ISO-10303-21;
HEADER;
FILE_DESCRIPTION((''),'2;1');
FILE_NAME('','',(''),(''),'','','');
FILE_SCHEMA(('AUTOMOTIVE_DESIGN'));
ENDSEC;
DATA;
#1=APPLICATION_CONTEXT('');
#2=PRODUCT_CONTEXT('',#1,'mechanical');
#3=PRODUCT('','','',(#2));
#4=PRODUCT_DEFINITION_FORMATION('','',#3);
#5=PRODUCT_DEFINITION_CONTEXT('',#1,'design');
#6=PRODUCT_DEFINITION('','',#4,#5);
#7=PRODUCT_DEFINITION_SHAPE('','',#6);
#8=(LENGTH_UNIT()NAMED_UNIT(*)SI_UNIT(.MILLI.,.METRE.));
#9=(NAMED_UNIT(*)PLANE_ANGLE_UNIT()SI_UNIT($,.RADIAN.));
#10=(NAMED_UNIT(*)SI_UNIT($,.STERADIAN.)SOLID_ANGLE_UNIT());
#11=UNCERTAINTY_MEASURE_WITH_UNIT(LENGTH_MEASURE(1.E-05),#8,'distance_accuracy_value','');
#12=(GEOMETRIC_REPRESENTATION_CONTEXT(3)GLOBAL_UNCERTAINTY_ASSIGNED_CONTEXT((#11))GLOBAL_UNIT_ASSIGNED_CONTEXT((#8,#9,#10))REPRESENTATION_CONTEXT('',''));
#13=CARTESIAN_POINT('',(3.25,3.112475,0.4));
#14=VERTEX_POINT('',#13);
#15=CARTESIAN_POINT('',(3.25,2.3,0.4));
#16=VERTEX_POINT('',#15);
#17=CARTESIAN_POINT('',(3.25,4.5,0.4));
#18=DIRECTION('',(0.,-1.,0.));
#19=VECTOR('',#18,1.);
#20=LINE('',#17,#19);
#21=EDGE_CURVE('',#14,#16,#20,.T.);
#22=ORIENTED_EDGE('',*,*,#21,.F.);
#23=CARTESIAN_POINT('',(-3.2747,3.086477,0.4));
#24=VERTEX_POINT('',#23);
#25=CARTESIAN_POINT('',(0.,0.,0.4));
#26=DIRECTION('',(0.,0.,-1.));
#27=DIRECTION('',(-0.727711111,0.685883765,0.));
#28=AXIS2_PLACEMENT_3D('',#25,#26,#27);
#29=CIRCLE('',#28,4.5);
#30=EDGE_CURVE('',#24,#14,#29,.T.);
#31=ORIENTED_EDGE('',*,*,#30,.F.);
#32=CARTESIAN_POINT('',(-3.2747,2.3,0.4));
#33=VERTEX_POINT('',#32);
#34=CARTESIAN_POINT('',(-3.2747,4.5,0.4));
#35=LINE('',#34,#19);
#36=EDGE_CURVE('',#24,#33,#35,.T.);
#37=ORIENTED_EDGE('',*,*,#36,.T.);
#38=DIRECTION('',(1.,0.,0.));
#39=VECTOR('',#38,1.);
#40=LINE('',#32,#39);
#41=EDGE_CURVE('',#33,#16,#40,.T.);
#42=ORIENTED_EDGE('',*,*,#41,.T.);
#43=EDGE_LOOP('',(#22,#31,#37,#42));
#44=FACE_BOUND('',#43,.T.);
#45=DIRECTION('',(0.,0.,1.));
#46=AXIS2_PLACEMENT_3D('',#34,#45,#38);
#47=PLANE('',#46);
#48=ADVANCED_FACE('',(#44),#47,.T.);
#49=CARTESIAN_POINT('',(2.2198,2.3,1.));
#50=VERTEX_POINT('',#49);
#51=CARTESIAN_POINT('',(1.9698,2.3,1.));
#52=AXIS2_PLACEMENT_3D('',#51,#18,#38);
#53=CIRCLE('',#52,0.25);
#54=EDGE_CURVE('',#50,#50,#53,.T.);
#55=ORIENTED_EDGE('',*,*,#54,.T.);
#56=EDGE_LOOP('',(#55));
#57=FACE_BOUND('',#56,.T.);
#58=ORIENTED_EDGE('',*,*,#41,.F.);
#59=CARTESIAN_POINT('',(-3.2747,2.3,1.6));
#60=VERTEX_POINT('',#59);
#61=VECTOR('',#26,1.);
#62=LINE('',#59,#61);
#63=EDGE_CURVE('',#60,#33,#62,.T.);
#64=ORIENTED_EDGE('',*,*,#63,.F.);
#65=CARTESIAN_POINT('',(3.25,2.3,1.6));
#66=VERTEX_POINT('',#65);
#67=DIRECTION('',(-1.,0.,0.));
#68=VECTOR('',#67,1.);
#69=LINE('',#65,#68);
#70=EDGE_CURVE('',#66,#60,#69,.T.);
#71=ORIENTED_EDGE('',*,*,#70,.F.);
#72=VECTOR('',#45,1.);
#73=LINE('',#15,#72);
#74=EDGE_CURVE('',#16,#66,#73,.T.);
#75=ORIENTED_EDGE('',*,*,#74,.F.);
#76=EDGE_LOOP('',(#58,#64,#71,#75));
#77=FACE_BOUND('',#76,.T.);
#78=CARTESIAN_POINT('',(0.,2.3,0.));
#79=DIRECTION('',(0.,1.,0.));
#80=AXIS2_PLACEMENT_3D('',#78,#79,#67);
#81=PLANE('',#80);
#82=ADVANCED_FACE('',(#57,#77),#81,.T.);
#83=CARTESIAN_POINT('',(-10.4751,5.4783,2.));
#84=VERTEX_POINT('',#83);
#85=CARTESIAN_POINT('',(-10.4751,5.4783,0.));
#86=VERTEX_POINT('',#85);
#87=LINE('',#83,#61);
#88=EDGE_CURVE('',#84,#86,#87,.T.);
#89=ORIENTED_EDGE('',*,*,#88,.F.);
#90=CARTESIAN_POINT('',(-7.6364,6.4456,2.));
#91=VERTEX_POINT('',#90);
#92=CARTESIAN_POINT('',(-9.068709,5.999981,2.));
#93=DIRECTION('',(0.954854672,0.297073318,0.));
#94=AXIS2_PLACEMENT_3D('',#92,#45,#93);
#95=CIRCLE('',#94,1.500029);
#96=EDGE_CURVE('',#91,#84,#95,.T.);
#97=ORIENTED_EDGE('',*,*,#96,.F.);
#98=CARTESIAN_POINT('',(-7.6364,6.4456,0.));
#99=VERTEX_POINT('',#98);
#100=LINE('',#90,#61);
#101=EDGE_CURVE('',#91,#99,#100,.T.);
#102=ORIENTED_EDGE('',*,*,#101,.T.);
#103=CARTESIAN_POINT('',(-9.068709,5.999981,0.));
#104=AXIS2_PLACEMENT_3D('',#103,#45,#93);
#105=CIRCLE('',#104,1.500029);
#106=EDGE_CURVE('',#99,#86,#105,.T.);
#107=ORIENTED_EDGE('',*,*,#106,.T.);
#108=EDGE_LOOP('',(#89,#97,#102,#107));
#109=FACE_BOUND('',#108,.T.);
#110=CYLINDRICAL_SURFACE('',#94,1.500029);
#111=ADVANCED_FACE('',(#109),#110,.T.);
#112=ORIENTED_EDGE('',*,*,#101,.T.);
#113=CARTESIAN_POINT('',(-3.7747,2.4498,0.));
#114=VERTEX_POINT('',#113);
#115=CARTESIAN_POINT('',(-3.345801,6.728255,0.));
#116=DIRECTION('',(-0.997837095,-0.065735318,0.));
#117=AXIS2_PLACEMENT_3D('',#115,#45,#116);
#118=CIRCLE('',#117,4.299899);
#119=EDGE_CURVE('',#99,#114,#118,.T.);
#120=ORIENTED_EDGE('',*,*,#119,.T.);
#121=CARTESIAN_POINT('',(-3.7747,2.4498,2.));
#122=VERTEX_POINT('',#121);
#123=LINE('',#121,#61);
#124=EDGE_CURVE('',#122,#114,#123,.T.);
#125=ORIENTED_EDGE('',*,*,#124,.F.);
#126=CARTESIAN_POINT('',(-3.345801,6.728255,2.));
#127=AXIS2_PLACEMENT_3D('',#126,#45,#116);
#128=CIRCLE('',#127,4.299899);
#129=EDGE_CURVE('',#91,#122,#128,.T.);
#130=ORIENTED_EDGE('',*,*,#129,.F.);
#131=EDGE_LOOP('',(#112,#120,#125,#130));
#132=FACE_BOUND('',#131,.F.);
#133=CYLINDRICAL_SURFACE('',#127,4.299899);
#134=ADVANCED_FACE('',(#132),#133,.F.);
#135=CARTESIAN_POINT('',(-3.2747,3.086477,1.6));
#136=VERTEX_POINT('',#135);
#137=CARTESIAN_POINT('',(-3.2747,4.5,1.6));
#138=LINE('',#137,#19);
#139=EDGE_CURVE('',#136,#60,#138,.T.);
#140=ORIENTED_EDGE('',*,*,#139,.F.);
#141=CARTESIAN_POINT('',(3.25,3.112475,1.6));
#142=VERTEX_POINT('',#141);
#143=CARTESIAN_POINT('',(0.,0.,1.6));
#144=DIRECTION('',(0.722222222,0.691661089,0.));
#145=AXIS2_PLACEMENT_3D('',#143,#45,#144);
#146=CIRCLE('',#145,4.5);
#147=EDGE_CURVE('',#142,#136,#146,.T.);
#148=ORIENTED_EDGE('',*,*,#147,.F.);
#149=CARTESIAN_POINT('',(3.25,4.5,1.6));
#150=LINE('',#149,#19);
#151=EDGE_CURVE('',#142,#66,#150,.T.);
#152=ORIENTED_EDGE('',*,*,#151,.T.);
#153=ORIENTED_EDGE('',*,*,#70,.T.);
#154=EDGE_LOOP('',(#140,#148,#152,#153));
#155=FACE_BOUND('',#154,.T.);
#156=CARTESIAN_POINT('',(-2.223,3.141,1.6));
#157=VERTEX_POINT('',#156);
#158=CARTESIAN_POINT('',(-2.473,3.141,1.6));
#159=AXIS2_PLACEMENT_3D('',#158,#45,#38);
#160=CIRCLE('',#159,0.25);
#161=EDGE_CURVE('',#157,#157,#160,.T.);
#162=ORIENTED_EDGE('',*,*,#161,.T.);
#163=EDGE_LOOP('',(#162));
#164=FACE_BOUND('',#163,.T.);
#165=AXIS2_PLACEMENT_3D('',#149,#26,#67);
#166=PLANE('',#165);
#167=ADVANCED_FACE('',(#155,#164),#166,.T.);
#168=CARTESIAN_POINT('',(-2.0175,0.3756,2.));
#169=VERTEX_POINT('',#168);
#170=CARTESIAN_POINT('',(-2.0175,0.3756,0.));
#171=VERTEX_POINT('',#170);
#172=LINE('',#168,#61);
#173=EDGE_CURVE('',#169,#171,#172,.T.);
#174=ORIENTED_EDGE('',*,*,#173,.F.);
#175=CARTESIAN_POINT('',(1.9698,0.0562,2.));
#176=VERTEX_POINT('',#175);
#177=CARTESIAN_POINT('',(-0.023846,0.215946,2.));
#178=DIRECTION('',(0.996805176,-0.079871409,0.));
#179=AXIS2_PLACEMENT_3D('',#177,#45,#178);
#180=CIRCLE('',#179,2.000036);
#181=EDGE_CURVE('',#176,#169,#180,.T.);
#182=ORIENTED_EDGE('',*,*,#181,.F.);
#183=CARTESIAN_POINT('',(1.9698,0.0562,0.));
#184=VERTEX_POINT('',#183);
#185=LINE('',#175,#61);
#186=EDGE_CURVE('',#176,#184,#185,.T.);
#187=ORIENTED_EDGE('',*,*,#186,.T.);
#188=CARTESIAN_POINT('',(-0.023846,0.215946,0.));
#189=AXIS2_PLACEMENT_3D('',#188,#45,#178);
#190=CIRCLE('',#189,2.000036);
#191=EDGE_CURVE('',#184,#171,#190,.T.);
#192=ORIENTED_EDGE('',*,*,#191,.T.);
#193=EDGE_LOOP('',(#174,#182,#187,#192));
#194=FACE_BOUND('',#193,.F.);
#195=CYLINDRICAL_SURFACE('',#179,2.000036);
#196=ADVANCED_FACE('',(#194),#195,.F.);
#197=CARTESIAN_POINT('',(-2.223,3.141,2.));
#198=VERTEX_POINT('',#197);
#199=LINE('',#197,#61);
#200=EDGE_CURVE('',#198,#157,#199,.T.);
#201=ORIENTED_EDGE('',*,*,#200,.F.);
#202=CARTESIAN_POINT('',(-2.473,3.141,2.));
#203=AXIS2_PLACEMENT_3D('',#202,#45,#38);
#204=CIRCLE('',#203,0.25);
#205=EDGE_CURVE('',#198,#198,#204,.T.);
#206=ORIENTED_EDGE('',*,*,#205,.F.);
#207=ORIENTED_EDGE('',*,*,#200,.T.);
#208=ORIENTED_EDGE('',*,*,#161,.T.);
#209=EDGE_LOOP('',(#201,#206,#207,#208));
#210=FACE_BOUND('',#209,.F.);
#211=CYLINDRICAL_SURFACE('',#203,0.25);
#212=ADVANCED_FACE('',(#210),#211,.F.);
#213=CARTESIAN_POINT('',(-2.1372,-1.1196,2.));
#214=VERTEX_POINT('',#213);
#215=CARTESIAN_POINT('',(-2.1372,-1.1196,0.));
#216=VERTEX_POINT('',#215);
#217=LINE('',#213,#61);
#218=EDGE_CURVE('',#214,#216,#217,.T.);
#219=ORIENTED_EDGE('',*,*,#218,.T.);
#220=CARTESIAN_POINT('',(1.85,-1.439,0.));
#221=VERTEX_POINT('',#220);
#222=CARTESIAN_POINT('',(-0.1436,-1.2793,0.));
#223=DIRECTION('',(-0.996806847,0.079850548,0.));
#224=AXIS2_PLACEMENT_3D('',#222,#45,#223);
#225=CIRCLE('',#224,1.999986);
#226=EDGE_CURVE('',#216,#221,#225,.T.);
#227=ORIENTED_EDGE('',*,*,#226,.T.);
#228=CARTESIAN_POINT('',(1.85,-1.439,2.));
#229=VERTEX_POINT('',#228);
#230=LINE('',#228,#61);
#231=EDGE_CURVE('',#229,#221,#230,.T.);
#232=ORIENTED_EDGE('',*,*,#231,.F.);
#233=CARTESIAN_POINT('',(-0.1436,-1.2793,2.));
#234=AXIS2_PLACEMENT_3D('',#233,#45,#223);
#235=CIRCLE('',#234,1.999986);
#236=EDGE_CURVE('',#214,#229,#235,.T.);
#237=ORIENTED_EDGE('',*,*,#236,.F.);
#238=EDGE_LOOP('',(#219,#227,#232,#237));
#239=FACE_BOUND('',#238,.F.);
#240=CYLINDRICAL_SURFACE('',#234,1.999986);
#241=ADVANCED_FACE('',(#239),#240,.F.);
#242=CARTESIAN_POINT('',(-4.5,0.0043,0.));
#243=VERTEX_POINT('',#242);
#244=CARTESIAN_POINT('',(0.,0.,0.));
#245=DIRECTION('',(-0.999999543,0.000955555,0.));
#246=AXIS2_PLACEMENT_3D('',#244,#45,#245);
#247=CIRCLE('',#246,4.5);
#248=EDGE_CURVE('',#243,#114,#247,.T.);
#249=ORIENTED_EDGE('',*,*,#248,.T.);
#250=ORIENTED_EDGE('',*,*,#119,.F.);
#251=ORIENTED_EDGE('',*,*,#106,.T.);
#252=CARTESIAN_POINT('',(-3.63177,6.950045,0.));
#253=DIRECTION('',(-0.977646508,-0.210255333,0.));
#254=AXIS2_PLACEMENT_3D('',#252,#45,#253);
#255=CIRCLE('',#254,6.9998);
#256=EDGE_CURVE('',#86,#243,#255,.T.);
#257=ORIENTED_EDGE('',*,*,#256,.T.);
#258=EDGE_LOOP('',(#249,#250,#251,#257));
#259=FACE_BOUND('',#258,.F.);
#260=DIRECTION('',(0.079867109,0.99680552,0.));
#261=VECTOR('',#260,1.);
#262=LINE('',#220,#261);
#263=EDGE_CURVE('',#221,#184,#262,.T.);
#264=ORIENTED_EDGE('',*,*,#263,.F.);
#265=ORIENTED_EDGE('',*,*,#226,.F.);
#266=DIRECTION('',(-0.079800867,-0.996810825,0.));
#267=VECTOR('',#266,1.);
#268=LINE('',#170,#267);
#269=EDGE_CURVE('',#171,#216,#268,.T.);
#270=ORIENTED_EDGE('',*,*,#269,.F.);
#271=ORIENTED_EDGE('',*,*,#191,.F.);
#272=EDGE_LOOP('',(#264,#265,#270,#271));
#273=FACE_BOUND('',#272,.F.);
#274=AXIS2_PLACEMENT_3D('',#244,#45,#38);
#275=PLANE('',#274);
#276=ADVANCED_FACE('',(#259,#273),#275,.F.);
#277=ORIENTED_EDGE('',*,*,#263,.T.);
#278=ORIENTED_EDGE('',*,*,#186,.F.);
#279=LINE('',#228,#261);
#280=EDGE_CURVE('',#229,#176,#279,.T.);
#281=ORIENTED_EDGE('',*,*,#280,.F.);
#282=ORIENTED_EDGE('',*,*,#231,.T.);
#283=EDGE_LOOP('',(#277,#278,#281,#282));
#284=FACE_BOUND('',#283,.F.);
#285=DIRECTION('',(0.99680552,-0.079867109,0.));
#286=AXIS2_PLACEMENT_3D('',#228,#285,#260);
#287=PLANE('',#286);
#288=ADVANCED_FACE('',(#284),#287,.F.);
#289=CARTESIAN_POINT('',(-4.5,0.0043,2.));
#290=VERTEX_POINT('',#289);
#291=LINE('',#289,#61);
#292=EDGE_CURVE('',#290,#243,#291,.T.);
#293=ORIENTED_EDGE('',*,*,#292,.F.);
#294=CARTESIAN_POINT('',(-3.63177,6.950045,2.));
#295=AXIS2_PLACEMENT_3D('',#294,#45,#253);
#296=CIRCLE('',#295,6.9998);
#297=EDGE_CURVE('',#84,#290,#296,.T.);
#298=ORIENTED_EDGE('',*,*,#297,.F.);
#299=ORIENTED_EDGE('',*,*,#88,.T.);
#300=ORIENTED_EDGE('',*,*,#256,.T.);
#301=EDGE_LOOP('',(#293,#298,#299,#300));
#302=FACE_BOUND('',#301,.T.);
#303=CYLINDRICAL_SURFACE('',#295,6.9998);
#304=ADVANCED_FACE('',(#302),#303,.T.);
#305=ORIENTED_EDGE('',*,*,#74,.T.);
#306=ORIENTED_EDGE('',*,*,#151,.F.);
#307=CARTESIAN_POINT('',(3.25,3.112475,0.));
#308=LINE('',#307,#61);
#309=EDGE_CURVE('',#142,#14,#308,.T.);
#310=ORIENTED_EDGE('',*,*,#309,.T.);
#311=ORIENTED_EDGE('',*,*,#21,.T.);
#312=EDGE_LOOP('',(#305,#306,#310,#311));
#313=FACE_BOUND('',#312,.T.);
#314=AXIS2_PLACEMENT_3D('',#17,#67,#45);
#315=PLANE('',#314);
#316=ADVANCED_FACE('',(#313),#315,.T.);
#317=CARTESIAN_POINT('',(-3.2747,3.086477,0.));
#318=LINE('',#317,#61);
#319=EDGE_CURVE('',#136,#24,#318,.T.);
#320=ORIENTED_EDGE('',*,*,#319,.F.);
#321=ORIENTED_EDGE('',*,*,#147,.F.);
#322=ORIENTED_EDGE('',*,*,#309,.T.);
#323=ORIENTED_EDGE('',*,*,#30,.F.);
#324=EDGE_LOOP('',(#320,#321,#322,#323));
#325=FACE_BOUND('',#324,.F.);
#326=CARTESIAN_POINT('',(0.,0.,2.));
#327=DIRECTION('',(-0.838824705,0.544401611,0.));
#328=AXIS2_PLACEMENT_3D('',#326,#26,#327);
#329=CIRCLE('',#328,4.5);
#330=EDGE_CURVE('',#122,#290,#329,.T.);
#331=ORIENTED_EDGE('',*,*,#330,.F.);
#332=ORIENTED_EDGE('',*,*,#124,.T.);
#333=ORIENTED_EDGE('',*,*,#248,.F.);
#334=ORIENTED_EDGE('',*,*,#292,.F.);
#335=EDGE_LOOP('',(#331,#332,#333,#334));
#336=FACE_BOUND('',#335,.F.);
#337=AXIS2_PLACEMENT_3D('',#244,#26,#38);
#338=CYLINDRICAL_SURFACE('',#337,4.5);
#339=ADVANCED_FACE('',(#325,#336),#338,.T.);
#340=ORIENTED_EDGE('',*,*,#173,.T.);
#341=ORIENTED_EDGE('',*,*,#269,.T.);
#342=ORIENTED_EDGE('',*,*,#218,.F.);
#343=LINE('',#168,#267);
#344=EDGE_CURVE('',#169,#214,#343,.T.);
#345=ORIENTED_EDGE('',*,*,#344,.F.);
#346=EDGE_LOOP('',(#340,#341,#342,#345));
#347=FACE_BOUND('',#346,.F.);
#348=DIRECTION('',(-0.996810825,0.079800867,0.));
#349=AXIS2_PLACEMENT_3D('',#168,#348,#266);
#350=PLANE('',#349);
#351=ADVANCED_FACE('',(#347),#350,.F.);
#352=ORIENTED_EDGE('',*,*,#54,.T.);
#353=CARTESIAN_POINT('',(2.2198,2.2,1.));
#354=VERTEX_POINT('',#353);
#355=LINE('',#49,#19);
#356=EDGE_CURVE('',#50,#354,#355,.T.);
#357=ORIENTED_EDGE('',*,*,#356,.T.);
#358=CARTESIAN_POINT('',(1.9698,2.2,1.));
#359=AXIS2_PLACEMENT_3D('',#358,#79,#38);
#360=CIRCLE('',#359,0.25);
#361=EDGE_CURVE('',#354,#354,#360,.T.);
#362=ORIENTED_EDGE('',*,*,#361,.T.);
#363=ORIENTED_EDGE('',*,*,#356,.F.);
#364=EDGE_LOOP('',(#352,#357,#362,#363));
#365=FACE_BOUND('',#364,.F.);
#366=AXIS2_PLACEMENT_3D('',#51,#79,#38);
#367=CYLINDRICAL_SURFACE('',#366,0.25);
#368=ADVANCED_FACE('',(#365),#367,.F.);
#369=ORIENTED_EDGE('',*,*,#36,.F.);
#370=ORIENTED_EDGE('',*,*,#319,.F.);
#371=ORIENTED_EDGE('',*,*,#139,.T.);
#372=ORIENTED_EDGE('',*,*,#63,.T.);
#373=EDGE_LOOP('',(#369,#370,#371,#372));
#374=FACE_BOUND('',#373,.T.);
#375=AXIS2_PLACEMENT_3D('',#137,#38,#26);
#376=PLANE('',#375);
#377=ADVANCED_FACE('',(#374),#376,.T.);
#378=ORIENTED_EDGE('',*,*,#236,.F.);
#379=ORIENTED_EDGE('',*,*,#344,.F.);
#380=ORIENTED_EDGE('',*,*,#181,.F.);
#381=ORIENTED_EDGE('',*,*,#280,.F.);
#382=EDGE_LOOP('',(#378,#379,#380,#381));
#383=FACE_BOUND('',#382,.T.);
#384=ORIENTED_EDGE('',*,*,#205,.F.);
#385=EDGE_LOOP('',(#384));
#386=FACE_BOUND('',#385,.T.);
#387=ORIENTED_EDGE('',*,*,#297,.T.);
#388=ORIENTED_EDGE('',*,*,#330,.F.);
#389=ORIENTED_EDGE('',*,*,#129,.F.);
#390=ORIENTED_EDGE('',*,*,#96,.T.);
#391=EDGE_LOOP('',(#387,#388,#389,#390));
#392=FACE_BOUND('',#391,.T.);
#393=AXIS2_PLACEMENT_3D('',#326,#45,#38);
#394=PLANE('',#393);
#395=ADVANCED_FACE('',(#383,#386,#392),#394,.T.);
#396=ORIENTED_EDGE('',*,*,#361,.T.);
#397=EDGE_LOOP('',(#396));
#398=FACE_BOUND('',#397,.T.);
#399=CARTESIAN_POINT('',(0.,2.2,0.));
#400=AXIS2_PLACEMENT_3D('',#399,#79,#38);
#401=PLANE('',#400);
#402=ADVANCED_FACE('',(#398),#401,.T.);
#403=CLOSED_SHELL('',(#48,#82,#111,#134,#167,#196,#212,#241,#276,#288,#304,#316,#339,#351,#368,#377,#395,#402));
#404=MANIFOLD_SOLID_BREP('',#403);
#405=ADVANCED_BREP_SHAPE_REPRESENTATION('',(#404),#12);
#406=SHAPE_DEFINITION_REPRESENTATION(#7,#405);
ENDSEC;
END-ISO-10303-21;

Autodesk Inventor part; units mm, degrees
ref_plane "YZ Plane" through (0, 0, 0) normal (1, 0, 0) x (0, 1, 0)
ref_plane "XY Plane" through (0, 0, 0) normal (0, 0, 1) x (1, 0, 0)
sketch "Esboço1" plane through (0, 0, 0) normal (0, 0, 1) x (1, 0, 0)
  circle A0 centre (0, 0) radius 4.5
  dimension "d0" = 9
extrude "Extrusão1" add sketch "Esboço1" along normal blind 2
sketch "Esboço2" plane through (0, 0, 2) normal (0, 0, 1) x (1, 0, 0)
  circle A0 centre (0, 0) radius 4.5 projected
  arc A1 (-10.4751, 5.4783) -> (-4.5, 0.0043) centre (-3.6315, 6.9502) ccw
  arc A2 (-7.6364, 6.4456) -> (-10.4751, 5.4783) centre (-9.0687, 6) ccw
  arc A3 (-7.6364, 6.4456) -> (-3.7747, 2.4498) centre (-3.3457, 6.7283) ccw
  dimension "d3" = 7
  dimension "d4" = 4.3
  dimension "d5" = 1.5
  dimension "d6" = 6
extrude "Extrusão2" add sketch "Esboço2" against normal blind 2 contours A0 A1 A2 A3
sketch "Esboço4" plane through (0, 0, 2) normal (0, 0, 1) x (1, 0, 0)
  line L0 (-0.335, -0.9422) -> (0.1675, 0.4711) construction
  line L1 (-2.0175, 0.3756) -> (-2.1372, -1.1196)
  line L2 (1.85, -1.439) -> (1.9698, 0.0562)
  arc A0 (1.9698, 0.0562) -> (-2.0175, 0.3756) centre (-0.0239, 0.2159) ccw
  arc A1 (-2.1372, -1.1196) -> (1.85, -1.439) centre (-0.1436, -1.2793) ccw
  point P0 (-0.0837, -0.2356)
  dimension "d11" = 1.5
  dimension "d12" = 4
extrude "Extrusão3" cut sketch "Esboço4" against normal blind 2
ref_plane "Plano de trabalho1" through (0, 4.5, 0) normal (0, 1, 0) x (-1, 0, 0)
sketch "Esboço5" plane through (0, 4.5, 0) normal (0, 1, 0) x (-1, 0, 0)
  line L0 (-3.25, 1.6) -> (3.2747, 1.6)
  line L1 (3.2747, 1.6) -> (3.2747, 0.4)
  line L2 (3.2747, 0.4) -> (-3.25, 0.4)
  line L3 (-3.25, 0.4) -> (-3.25, 1.6)
  line L4 (-3.25, 1.6) -> (3.2747, 0.4) construction
  line L5 (3.2747, 1.6) -> (-3.25, 0.4) construction
  line L6 (4.5, 0) -> (-4.5, 0) projected
  line L7 (4.5, 2) -> (-4.5, 2) projected
  line L8 (3.7747, 0) -> (3.7747, 2) projected
  line L9 (-4.5, 2) -> (-4.5, 0)
  line L10 (-4.5, 0) -> (-4.5, 2) projected
  point P0 (0, 0)
  point P1 (0.0124, 1)
  dimension "d16" = 0.4
  dimension "d17" = 0.4
  dimension "d18" = 0.5
  dimension "d19" = 1.25
extrude "Extrusão4" cut sketch "Esboço5" against normal blind 2.2 contours L0 L1 L2 L3
sketch "Esboço6" plane through (0, 0, 2) normal (0, 0, 1) x (1, 0, 0)
  circle A0 centre (-2.473, 3.141) radius 0.25
  line L0 (0, -6.9) -> (0, 9.9) projected
  line L1 (-13.5824, 0) -> (7.5137, 0) projected
  point P0 (0, 0)
  dimension "d22" = 0.5
  dimension "d28" = 2.473
  dimension "d29" = 3.141
extrude "Extrusão5" cut sketch "Esboço6" against normal blind 0.5
sketch "Esboço8" plane through (0, 2.3, 0) normal (0, 1, 0) x (1, 0, 0)
  line L0 (1.9698, -2) -> (1.9698, 0) projected
  circle A0 centre (1.9698, -1) radius 0.25
  point P0 (0, 0)
  dimension "d30" = 0.5
extrude "Extrusão7" cut sketch "Esboço8" against normal blind 0.1
properties material "Liga de Nickel-Copper 400"
